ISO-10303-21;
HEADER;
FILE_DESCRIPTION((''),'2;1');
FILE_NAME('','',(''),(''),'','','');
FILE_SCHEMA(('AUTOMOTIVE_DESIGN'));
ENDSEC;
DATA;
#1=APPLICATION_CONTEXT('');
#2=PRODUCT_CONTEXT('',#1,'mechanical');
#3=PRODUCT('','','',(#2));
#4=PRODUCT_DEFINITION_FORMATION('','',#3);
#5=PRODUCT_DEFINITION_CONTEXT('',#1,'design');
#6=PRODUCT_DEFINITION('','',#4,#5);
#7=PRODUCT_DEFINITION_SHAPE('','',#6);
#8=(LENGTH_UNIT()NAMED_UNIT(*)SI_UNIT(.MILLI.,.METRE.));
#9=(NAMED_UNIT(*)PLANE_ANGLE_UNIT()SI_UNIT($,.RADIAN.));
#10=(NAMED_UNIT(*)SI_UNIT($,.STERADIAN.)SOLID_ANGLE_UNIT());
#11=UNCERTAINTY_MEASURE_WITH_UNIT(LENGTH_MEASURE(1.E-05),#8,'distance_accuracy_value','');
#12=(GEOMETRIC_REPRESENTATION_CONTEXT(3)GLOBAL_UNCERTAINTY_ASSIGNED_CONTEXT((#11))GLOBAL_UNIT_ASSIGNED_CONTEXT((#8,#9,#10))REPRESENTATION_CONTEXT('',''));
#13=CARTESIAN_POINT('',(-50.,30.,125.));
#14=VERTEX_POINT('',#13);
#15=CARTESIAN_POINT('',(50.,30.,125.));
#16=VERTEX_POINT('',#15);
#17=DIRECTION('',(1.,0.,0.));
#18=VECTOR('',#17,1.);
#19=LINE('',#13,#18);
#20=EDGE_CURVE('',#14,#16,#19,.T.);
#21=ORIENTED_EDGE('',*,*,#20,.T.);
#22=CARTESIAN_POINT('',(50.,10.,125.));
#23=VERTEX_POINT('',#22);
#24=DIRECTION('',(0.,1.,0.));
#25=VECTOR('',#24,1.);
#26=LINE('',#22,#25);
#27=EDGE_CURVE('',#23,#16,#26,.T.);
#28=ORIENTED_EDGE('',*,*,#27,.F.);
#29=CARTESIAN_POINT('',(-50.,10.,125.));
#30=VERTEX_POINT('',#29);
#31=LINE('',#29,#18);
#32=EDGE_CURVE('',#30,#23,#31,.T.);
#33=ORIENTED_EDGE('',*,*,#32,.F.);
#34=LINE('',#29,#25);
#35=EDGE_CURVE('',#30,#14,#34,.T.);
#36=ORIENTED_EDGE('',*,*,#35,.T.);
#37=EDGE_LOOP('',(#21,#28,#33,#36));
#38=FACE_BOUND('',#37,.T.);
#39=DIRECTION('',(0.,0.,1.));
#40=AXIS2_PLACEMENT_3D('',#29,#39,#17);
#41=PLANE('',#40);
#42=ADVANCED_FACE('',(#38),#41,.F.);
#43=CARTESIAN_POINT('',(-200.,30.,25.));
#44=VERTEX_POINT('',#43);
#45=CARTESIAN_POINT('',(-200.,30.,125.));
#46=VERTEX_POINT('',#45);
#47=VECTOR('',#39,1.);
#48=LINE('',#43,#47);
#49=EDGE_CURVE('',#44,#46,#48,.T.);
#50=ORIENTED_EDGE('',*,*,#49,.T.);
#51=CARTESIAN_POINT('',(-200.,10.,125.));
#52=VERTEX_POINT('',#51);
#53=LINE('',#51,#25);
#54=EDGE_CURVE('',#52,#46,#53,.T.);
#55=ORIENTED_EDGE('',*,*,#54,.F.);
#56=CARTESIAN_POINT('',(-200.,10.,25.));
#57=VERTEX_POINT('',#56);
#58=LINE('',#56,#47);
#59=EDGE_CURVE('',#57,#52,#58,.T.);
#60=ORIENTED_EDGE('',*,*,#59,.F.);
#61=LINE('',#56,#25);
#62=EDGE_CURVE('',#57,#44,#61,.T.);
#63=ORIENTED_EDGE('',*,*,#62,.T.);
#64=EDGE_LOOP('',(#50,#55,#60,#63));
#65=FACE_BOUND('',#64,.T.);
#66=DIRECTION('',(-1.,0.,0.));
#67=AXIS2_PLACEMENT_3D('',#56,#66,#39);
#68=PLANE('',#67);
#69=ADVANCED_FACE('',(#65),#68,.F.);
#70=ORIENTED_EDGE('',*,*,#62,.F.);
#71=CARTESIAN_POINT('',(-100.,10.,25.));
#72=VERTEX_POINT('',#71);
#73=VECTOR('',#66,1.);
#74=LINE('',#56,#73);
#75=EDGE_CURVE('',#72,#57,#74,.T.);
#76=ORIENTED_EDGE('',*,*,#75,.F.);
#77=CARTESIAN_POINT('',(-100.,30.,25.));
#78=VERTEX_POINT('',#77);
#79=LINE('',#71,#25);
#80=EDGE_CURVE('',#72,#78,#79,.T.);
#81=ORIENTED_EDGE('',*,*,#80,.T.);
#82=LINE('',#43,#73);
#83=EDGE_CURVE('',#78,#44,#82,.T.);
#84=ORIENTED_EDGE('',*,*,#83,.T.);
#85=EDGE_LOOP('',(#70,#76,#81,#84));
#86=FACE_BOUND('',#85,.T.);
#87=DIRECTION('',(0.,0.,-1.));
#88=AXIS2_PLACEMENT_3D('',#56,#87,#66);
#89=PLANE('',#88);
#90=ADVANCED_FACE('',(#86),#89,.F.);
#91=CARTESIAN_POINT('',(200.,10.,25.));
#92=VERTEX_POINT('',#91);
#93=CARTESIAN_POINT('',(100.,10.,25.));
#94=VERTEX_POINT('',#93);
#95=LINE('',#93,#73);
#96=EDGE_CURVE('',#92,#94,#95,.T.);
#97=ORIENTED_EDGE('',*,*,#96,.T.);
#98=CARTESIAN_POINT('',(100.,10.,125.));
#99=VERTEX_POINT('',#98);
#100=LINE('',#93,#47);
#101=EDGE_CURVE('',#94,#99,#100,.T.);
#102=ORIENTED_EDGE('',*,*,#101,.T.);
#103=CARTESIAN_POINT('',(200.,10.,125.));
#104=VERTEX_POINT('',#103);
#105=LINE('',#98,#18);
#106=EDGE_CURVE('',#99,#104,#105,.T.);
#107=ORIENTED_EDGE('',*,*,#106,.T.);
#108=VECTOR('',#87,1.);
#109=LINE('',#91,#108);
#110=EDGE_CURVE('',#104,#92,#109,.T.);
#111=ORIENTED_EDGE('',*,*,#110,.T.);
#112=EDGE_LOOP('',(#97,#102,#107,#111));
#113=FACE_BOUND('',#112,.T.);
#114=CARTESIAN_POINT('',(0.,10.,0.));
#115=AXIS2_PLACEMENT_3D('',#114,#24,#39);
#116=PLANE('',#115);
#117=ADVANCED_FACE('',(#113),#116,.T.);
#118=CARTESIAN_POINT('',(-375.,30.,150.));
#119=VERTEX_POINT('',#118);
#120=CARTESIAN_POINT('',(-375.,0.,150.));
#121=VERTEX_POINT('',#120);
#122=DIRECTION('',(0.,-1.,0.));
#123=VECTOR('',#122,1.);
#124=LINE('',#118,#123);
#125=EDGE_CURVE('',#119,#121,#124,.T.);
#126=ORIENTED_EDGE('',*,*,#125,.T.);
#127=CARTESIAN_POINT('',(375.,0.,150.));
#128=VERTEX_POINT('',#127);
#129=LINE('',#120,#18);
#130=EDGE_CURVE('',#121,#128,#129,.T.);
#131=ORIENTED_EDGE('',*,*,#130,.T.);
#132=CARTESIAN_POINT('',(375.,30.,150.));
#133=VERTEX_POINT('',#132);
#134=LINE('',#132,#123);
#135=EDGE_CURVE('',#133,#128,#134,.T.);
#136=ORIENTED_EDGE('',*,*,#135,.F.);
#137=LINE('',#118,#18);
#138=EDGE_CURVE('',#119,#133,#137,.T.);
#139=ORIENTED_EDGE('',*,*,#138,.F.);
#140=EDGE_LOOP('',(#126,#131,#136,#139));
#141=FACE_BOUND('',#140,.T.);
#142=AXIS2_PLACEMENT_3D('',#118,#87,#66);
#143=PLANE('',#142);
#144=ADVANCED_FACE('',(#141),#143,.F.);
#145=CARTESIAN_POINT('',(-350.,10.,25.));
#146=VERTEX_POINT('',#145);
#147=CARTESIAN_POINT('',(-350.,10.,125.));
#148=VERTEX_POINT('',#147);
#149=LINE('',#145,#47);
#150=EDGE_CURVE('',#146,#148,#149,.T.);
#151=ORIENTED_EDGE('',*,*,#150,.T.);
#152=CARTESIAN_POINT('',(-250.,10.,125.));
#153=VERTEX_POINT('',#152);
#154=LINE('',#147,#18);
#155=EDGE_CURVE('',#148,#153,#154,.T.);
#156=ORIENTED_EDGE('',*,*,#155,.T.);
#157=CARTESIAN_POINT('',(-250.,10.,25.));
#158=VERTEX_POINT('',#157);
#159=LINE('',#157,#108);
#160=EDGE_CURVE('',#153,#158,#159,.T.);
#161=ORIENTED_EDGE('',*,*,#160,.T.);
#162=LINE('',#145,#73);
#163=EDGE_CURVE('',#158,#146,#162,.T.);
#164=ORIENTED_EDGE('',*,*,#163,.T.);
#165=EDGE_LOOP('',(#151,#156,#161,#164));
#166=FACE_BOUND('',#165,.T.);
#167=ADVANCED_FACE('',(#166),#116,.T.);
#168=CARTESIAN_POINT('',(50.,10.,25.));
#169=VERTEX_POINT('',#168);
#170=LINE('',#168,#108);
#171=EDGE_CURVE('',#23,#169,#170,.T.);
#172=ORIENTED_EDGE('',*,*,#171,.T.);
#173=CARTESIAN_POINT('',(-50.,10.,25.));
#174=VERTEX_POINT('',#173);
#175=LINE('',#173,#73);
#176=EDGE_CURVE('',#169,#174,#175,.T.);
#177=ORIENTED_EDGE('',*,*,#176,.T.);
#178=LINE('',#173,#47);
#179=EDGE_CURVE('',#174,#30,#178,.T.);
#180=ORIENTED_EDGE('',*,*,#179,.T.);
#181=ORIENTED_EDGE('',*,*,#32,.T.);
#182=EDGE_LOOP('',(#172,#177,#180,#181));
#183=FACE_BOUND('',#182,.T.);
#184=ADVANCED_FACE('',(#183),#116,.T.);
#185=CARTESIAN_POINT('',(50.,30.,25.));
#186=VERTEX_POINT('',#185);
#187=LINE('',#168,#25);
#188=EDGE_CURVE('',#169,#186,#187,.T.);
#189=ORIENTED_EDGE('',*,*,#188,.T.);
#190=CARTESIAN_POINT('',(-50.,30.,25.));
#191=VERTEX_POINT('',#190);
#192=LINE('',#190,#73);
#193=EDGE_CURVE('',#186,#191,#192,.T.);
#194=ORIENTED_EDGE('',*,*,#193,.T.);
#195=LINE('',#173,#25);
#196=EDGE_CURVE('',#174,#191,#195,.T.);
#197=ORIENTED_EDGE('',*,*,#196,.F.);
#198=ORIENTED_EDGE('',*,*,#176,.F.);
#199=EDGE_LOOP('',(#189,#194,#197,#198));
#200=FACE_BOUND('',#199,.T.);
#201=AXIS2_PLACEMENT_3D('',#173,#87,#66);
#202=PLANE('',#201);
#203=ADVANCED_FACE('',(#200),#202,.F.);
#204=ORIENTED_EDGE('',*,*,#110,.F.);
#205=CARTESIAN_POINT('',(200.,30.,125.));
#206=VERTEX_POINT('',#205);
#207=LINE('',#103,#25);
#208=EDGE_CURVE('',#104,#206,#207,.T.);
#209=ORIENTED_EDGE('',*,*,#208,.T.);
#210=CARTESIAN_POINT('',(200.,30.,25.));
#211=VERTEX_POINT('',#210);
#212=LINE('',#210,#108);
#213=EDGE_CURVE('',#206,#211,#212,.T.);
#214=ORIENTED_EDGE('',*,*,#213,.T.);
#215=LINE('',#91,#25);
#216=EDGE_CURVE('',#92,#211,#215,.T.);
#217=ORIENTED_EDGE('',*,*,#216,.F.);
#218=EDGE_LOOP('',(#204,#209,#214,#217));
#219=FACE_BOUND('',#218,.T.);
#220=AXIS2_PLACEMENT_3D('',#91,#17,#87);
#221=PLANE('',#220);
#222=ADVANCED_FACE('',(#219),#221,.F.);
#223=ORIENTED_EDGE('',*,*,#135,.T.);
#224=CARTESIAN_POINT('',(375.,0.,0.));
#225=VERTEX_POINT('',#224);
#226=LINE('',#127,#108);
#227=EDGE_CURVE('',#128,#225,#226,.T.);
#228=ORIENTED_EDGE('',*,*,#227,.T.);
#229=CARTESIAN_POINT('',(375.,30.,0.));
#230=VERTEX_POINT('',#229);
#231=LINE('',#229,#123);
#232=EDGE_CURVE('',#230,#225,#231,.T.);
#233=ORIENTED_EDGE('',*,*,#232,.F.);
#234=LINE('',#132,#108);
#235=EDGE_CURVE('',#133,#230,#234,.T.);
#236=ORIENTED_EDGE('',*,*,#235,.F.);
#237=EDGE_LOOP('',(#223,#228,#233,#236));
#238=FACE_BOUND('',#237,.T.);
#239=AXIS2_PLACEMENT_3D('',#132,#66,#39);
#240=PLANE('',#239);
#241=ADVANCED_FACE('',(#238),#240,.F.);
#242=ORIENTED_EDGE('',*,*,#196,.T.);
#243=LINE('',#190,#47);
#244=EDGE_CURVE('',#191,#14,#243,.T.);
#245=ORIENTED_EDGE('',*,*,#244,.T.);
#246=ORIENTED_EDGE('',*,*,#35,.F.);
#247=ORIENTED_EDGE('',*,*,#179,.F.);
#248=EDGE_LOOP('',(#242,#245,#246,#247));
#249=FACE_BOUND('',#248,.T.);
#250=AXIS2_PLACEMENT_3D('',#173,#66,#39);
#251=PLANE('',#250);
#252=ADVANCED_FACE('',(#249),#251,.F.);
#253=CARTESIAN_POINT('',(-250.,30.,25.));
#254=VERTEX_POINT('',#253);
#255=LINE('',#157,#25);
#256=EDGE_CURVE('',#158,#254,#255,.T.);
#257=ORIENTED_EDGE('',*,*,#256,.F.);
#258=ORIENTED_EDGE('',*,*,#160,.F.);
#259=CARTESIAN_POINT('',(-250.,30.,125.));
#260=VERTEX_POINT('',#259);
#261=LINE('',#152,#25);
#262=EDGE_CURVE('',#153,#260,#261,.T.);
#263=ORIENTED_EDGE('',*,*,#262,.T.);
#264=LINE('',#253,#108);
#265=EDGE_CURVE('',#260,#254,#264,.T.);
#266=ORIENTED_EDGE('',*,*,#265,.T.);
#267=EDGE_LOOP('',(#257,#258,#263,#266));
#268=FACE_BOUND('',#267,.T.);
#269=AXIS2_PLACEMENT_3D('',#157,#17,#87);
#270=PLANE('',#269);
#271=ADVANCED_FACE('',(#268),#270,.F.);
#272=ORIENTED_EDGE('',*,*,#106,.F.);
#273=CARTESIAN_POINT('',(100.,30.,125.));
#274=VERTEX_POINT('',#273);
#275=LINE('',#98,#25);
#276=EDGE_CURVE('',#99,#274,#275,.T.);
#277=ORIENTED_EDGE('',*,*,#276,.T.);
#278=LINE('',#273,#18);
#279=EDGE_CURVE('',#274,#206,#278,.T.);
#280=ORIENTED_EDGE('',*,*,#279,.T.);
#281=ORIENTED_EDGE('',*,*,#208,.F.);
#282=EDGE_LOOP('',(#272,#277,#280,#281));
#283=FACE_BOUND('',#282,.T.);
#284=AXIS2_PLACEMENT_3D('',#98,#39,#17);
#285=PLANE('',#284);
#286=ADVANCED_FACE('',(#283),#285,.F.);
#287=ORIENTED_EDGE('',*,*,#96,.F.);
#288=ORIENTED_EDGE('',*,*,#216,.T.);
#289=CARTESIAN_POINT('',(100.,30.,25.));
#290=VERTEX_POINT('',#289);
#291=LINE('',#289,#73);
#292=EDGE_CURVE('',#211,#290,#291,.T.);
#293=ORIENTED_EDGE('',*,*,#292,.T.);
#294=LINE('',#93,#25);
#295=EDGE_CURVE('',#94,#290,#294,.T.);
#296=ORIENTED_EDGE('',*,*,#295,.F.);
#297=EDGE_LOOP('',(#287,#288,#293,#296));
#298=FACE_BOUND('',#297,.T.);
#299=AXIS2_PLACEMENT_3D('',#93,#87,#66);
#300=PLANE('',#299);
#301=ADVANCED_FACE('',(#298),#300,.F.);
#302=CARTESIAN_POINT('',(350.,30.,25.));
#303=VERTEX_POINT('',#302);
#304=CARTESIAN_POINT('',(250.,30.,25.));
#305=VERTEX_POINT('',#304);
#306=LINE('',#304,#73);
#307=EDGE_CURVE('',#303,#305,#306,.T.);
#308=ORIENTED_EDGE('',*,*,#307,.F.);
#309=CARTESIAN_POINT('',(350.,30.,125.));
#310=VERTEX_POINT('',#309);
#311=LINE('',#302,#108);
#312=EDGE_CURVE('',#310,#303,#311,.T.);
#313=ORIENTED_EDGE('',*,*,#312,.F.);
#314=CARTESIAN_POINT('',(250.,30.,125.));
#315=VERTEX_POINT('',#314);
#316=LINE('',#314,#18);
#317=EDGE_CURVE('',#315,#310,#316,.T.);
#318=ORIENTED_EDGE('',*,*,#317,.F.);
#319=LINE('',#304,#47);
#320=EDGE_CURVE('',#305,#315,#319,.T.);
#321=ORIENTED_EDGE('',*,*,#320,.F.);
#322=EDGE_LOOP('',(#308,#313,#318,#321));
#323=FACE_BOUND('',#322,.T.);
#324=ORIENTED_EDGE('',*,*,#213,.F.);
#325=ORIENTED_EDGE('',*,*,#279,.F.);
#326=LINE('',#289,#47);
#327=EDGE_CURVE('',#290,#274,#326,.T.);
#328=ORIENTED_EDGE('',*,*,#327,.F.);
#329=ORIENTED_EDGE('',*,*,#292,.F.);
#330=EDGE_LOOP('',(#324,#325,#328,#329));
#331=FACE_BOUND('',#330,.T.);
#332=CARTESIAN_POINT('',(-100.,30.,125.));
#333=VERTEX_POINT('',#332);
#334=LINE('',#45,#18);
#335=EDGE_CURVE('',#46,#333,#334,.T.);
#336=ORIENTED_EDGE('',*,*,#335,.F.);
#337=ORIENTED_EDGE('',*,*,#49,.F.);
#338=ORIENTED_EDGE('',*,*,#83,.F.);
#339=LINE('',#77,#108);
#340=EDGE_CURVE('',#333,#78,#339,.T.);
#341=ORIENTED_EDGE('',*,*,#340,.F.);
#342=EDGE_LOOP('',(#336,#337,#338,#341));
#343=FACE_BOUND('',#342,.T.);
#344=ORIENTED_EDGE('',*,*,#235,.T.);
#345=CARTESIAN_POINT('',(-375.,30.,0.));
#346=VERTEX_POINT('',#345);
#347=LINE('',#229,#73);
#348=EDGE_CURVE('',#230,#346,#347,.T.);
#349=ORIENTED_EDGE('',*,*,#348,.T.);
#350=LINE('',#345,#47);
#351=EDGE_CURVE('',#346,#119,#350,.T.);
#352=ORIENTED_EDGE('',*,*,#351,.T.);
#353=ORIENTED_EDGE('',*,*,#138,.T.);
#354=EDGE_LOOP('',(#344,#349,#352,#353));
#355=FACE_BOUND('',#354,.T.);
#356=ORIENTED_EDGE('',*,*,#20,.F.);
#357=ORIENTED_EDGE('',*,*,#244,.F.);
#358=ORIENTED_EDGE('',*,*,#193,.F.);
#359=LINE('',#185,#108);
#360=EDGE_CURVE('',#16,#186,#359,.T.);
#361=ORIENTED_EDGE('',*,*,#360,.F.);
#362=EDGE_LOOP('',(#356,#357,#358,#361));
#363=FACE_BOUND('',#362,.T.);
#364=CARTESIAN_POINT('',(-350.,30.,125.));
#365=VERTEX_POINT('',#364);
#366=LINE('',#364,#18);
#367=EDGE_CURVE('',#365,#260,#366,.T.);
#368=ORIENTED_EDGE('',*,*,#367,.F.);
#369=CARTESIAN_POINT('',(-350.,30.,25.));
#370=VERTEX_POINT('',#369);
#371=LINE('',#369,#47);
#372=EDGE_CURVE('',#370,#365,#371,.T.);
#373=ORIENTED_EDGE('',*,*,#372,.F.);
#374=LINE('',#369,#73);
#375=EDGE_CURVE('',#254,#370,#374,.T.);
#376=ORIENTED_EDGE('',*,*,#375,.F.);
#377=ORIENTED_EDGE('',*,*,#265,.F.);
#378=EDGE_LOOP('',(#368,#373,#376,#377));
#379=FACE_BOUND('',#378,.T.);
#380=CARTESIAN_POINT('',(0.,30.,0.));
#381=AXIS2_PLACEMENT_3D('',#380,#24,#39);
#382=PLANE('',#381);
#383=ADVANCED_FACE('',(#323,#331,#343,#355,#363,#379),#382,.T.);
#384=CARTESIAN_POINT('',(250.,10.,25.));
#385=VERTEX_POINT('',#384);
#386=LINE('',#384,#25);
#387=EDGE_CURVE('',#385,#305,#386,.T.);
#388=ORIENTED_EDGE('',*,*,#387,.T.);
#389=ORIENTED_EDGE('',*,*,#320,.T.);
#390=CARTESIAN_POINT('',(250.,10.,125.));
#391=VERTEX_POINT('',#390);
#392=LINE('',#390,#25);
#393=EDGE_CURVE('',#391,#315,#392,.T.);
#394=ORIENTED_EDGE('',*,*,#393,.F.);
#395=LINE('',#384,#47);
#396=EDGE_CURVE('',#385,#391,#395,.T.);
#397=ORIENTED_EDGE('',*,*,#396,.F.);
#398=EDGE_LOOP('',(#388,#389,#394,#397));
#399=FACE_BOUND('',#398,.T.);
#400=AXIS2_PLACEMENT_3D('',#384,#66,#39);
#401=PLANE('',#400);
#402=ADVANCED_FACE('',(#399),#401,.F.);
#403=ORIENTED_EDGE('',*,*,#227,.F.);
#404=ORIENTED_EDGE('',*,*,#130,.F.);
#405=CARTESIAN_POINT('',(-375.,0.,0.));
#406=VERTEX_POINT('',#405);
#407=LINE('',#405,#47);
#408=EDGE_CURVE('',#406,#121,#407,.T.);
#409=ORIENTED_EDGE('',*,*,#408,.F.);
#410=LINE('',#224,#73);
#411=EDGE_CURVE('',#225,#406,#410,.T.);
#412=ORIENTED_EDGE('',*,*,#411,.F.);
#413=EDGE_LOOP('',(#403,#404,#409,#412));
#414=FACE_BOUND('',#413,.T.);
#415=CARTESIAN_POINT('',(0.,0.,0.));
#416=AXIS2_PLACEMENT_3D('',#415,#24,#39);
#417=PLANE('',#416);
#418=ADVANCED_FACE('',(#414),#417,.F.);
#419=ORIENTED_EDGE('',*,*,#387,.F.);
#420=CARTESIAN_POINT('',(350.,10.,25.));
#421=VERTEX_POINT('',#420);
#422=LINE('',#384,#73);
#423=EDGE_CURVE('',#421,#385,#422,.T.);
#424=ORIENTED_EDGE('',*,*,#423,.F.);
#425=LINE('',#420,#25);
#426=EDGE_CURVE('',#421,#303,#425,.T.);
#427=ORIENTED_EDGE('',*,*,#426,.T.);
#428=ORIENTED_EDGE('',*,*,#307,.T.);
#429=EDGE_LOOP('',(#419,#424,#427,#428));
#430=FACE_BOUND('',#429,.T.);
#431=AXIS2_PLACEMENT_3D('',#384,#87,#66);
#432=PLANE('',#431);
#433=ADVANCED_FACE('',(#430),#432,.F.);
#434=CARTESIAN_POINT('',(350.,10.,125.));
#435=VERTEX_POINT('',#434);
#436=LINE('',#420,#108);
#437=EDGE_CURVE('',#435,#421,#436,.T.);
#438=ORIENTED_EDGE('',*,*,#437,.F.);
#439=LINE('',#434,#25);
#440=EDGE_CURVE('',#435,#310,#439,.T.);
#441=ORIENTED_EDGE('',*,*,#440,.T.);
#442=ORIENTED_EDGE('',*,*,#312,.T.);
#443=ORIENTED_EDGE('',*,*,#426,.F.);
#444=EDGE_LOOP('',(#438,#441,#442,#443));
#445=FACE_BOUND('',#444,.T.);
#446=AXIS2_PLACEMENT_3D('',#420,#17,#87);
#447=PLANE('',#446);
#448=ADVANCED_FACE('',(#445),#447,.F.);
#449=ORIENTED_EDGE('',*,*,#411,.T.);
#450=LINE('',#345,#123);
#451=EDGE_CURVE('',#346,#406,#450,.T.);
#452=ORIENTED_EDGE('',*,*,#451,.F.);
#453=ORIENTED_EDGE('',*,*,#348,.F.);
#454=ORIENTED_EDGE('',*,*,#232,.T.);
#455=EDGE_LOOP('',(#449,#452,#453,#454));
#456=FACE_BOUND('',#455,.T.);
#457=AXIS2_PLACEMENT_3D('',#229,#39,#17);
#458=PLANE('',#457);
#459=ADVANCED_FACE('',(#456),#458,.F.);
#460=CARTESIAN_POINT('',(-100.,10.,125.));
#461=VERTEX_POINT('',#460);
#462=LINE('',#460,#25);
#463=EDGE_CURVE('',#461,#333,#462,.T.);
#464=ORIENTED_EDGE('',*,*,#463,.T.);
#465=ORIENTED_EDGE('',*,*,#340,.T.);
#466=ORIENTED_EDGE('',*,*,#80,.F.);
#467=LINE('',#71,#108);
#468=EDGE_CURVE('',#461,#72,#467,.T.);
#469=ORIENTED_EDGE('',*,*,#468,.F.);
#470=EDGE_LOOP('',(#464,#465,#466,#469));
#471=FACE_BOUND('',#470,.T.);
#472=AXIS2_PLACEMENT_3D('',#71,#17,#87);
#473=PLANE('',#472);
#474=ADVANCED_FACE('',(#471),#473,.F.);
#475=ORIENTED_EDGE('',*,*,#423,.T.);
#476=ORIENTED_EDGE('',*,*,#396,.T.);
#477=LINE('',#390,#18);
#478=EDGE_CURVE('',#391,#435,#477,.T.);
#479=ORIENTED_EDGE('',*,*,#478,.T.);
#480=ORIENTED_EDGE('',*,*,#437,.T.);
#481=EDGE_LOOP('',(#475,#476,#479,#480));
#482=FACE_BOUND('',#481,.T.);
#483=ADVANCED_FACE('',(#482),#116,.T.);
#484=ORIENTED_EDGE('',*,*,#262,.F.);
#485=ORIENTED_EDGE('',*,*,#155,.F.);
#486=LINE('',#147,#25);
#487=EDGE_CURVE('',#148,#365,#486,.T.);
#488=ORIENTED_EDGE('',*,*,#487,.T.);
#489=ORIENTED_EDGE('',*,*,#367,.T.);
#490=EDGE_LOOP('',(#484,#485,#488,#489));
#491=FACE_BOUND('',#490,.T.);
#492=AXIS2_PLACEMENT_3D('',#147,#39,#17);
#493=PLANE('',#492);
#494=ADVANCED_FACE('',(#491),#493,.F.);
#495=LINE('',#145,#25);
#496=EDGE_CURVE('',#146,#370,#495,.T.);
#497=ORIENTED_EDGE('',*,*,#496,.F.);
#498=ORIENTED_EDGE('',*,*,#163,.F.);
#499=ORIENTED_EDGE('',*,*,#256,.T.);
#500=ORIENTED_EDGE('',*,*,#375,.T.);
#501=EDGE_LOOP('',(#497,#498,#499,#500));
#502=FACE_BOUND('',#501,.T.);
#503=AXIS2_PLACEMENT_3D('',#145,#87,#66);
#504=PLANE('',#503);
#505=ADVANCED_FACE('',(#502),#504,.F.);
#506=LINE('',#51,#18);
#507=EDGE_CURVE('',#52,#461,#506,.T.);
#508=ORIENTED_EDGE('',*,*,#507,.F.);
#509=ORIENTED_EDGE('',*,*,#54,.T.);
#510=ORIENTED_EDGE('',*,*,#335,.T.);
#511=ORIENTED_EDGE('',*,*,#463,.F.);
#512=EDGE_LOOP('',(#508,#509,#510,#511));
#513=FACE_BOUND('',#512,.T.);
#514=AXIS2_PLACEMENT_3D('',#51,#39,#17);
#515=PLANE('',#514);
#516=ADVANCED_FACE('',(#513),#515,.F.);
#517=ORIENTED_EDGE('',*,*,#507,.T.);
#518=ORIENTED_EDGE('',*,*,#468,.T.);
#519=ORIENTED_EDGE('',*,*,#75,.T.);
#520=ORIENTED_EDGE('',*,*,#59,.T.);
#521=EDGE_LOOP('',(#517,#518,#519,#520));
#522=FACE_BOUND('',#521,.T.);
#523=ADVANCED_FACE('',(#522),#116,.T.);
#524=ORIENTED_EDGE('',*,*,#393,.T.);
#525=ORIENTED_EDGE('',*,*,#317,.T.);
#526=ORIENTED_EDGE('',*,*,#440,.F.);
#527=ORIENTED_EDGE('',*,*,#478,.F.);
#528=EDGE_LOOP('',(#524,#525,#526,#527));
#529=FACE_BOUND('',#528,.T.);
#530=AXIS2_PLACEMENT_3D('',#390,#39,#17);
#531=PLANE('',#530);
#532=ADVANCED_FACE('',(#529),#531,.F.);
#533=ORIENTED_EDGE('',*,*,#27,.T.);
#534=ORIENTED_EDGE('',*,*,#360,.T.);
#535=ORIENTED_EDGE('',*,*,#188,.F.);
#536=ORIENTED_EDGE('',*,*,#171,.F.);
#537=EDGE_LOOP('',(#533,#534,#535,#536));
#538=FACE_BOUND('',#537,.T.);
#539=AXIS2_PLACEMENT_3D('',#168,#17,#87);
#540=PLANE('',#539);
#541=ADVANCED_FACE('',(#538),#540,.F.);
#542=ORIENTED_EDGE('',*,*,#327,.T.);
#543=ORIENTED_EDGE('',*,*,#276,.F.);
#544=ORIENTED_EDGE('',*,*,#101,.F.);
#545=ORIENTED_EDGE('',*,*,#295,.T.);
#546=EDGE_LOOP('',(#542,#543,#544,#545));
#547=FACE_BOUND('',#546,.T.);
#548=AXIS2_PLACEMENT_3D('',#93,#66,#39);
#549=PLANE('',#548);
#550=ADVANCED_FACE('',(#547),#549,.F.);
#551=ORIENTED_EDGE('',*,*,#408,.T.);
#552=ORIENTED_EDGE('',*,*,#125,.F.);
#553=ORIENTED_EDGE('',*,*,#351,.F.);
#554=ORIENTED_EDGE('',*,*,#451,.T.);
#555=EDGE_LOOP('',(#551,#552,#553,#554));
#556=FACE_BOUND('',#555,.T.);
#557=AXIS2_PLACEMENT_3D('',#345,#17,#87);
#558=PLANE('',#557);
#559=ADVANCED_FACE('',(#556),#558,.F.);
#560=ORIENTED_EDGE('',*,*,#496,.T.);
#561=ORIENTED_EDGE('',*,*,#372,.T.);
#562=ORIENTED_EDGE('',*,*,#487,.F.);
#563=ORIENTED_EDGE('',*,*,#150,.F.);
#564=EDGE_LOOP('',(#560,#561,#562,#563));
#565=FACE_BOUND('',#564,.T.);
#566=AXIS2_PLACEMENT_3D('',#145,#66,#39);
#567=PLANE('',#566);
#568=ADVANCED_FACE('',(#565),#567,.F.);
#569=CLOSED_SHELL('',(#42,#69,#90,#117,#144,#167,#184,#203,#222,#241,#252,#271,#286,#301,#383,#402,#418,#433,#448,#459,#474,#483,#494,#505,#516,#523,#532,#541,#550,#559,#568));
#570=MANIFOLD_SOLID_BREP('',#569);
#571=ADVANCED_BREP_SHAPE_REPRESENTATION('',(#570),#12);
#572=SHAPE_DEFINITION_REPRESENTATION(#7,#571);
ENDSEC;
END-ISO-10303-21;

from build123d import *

# Parameters (mm, degrees)
SKETCH_1_W          = 750
SKETCH_1_H          = 150
EXTRUDE_1_DEPTH     = 30
SKETCH_2_W          = 100
SKETCH_2_H          = 100
CUT_EXTRUDE_1_DEPTH = 20


with BuildPart() as part:
    # 草图1 → 凸台-拉伸1 (new body)
    with BuildSketch(Plane(origin=(0, 0, 0), x_dir=(1, 0, 0), z_dir=(0, 1, 0))):
        with Locations((0, -75)):
            Rectangle(SKETCH_1_W, SKETCH_1_H)
    extrude(amount=EXTRUDE_1_DEPTH)

    # 草图2 → 切除-拉伸1 (cut)
    with BuildSketch(Plane(origin=(0, 30, 0), x_dir=(1, 0, 0), z_dir=(0, 1, 0))):
        with Locations((-150, -75)):
            Rectangle(SKETCH_2_W, SKETCH_2_H)
        with Locations((-300, -75)):
            Rectangle(SKETCH_2_W, SKETCH_2_H)
        with Locations((0, -75)):
            Rectangle(SKETCH_2_W, SKETCH_2_H)
        with Locations((150, -75)):
            Rectangle(SKETCH_2_W, SKETCH_2_H)
        with Locations((300, -75)):
            Rectangle(SKETCH_2_W, SKETCH_2_H)
    extrude(amount=-CUT_EXTRUDE_1_DEPTH, mode=Mode.SUBTRACT)


solid = part.part
